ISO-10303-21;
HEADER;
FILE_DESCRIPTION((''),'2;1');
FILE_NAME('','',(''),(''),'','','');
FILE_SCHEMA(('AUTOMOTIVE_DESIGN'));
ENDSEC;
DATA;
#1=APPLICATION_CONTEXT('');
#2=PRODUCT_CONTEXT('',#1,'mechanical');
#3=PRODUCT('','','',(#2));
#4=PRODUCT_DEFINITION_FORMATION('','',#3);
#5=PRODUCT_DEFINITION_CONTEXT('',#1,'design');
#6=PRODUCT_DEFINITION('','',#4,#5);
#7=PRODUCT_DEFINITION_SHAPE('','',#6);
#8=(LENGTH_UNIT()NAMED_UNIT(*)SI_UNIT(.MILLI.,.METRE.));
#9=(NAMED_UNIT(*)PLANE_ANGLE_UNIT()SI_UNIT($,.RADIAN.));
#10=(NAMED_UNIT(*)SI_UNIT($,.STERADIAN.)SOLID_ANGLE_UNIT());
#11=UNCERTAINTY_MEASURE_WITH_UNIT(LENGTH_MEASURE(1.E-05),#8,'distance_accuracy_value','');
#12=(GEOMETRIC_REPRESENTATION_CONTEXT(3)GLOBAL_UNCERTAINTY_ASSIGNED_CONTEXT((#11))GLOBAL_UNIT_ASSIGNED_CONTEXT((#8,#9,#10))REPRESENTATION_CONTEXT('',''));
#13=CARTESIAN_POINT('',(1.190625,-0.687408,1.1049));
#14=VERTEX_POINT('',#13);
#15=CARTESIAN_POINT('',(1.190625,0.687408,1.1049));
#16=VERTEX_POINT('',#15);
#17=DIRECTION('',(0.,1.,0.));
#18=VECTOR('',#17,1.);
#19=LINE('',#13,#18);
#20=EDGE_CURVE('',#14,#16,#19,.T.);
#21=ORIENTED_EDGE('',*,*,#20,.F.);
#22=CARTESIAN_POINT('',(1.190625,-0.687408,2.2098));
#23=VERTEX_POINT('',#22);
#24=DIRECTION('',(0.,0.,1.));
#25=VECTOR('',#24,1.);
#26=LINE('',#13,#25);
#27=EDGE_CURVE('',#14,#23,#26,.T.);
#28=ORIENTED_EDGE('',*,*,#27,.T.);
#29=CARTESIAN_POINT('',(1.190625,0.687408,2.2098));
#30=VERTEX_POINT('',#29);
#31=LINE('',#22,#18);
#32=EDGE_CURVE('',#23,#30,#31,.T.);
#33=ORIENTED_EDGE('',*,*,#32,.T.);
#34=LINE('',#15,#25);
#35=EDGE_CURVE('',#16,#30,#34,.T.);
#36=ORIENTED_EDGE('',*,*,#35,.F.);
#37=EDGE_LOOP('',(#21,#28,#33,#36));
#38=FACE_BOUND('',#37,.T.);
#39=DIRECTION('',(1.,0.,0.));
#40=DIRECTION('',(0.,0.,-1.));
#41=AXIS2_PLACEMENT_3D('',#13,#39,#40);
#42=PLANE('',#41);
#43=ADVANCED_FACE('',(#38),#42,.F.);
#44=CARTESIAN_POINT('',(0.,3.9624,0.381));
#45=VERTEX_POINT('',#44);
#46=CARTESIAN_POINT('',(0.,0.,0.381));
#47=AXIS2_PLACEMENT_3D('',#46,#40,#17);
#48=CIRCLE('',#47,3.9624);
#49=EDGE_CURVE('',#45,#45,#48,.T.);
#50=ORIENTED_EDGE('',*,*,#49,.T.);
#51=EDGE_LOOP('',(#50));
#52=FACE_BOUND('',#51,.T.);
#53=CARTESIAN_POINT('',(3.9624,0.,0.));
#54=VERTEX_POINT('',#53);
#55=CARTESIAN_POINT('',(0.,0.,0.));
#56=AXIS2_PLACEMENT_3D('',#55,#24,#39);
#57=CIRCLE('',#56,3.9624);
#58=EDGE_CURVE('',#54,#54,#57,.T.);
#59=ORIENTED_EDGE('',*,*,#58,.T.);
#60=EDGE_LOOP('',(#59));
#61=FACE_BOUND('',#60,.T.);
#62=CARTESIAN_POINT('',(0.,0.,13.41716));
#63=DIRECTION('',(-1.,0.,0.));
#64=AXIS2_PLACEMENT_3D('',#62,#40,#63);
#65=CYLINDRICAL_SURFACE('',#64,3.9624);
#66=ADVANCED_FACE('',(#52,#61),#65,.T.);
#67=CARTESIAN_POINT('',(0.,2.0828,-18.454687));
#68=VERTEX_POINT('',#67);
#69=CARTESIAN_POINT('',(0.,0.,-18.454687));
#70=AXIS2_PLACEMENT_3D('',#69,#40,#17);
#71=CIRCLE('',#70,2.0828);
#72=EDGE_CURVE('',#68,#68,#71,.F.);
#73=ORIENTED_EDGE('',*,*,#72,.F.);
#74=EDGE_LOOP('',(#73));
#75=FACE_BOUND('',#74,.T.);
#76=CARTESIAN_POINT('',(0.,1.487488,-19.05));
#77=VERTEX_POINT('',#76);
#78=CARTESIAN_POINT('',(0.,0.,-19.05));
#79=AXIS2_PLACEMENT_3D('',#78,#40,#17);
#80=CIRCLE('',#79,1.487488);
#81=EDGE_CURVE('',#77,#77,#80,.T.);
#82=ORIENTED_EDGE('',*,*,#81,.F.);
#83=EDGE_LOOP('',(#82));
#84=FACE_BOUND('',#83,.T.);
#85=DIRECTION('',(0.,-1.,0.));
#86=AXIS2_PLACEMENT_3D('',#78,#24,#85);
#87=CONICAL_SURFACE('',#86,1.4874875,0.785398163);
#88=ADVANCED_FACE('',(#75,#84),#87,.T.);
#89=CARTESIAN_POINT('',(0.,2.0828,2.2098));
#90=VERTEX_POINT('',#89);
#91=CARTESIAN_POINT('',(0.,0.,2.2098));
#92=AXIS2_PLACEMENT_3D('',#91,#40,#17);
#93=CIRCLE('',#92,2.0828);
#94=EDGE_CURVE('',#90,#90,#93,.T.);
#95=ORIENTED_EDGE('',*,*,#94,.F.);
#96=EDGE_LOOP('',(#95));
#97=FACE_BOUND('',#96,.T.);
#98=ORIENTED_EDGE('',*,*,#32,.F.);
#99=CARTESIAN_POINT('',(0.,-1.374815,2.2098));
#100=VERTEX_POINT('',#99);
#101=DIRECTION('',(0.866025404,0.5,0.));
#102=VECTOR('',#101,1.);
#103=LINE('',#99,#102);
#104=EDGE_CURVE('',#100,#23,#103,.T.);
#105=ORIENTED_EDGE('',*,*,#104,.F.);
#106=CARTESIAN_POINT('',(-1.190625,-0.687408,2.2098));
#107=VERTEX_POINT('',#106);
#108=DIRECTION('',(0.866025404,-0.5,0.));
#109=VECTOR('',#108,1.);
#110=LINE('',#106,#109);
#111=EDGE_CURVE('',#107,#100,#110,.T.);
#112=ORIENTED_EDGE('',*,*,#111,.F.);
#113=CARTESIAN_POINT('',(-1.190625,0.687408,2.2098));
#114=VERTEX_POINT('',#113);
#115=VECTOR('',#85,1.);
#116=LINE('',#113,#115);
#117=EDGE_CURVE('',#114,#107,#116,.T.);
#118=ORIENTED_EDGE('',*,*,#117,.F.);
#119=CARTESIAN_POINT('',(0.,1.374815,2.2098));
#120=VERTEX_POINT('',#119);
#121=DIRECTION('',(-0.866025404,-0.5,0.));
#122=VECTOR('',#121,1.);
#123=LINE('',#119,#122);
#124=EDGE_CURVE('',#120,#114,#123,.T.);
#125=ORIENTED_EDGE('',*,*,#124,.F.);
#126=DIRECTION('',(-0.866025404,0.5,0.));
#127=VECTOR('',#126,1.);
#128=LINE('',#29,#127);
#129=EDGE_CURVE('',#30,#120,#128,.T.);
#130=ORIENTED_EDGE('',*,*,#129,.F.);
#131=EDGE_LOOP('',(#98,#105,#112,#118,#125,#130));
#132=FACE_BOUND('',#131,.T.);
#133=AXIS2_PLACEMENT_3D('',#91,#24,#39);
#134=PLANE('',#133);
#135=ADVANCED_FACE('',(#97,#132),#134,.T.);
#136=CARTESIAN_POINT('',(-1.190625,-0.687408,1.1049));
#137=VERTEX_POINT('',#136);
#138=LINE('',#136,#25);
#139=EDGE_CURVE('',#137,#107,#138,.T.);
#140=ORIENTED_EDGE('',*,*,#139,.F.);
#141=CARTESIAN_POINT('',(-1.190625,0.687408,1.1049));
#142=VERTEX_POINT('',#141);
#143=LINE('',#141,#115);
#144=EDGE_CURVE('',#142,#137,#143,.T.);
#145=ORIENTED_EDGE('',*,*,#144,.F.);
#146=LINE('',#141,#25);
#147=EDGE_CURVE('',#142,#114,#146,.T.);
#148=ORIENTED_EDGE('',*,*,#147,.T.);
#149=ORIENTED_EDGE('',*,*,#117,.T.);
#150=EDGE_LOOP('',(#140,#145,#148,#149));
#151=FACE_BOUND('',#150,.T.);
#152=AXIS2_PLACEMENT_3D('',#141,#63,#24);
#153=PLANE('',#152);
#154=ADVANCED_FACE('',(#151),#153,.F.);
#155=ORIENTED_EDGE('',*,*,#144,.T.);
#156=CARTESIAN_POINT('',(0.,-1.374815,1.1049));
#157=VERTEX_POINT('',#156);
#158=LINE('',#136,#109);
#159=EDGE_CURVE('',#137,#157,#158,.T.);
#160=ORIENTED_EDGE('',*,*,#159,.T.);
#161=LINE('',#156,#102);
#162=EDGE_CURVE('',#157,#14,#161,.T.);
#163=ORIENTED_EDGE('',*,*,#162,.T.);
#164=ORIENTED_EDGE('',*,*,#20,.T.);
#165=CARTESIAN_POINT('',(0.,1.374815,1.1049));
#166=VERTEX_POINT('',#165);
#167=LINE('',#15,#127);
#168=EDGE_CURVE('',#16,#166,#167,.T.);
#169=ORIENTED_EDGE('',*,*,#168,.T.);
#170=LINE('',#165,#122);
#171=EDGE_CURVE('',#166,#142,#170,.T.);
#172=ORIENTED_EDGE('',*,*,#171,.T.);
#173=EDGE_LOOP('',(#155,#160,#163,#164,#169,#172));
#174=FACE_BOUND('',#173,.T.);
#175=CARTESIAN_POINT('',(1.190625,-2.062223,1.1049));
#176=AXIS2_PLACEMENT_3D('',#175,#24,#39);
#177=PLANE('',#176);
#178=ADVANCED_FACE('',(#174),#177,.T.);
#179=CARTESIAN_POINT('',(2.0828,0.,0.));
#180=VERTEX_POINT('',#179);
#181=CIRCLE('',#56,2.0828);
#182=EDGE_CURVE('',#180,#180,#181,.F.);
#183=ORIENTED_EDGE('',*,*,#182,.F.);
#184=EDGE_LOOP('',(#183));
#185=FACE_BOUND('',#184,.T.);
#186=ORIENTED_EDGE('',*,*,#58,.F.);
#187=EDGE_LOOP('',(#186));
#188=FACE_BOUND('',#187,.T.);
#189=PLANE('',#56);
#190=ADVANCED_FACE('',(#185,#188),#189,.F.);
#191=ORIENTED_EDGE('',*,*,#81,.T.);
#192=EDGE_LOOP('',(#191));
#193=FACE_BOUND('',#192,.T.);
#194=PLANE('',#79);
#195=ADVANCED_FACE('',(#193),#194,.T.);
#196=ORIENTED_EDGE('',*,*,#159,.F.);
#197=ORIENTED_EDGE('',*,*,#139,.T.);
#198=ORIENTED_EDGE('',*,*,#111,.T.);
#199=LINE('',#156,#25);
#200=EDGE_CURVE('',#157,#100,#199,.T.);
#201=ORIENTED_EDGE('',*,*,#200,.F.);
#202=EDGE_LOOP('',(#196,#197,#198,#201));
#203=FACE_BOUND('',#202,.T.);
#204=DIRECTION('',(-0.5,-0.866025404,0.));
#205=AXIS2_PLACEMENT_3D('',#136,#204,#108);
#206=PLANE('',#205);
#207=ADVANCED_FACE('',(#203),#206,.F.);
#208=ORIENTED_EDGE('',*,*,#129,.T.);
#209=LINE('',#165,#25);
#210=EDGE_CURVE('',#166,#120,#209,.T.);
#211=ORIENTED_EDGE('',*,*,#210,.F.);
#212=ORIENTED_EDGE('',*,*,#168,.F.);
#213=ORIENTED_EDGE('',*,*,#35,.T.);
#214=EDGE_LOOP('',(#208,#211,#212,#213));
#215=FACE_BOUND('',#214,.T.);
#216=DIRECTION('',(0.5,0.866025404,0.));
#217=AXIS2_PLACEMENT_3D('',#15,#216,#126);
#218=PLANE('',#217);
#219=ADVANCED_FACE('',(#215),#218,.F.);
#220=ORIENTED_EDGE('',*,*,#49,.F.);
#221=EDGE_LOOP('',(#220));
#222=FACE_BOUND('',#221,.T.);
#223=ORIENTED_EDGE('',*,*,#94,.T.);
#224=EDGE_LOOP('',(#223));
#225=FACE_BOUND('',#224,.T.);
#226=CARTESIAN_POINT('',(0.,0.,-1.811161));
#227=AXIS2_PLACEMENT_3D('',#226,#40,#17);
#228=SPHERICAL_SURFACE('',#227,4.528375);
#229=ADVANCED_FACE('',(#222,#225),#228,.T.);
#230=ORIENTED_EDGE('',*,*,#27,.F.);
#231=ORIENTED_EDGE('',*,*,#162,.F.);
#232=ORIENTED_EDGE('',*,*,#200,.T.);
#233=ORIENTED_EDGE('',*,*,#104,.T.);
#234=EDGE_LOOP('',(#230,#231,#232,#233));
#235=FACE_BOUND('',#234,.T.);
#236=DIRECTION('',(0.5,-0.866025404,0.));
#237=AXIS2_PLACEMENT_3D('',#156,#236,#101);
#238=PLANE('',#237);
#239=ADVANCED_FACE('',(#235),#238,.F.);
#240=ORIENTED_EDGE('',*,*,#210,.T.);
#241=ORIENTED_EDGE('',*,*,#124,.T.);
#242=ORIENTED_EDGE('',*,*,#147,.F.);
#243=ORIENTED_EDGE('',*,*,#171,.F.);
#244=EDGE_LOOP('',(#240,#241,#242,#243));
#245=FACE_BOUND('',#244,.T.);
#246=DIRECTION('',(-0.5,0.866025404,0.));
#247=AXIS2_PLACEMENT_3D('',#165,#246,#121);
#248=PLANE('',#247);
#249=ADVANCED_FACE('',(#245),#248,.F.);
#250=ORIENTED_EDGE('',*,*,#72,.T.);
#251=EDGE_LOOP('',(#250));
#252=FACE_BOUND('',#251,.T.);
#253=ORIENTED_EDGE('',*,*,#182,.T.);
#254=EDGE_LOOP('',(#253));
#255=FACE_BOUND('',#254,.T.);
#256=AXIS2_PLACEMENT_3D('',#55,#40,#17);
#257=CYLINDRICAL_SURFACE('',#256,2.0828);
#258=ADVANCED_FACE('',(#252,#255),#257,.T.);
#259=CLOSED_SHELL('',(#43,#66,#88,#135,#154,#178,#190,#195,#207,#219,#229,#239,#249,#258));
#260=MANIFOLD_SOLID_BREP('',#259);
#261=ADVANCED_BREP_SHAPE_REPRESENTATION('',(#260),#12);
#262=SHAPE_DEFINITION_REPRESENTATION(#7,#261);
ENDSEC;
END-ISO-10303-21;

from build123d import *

# Parameters (mm, degrees)
SKETCH1_W          = 19.05
SKETCH1_H          = 2.0828
CHAMFER1_SIZE      = 0.5953125
SKETCH4_R          = 3.9624
EXTRUDE1_DEPTH     = 2.2098
CUT_EXTRUDE1_DEPTH = 1.1049


with BuildPart() as part:
    # Sketch1 → Revolve1 (revolve)
    with BuildSketch(Plane(origin=(0, 0, 0), x_dir=(0, 0, -1), z_dir=(1, 0, 0))):
        with Locations((9.525, 1.0414)):
            Rectangle(SKETCH1_W, SKETCH1_H)
    revolve(axis=Axis((0, 0, 0), (0, 0, 1)))

    # Chamfer1
    chamfer1_edges = [part.edges().sort_by_distance(p)[0] for p in [
        (0, -2.0828, -19.05),
    ]]
    chamfer(chamfer1_edges, length=CHAMFER1_SIZE)

    # Sketch4 → Extrude1 (add)
    with BuildSketch(Plane.XY):
        Circle(SKETCH4_R)
    extrude(amount=EXTRUDE1_DEPTH)

    # Sketch9 → Cut-Revolve3 (revolve, cut)
    with BuildSketch(Plane(origin=(0, 0, 0), x_dir=(0, 0, -1), z_dir=(1, 0, 0))):
        with BuildLine():
            Line((0, 3.9624), (-0.381, 3.9624))
            ThreePointArc((-0.381, 3.9624), (-1.434442989, 3.157885071), (-2.2098, 2.0828))
            Line((-2.2098, 2.0828), (-2.5908, 2.0828))
            Line((-2.5908, 2.0828), (-2.5908, 4.3434))
            Line((-2.5908, 4.3434), (0, 4.3434))
            Line((0, 4.3434), (0, 3.9624))
        make_face()
    revolve(axis=Axis((0, 0, 0), (0, 0, 1)), mode=Mode.SUBTRACT)

    # Sketch6 → Cut-Extrude1 (cut)
    with BuildSketch(Plane.XY.offset(2.2098)):
        Polygon((0, -1.374815329), (1.190625, -0.687407664), (1.190625, 0.687407664), (0, 1.374815329), (-1.190625, 0.687407664), (-1.190625, -0.687407664), align=None)
    extrude(amount=-CUT_EXTRUDE1_DEPTH, mode=Mode.SUBTRACT)


solid = part.part
